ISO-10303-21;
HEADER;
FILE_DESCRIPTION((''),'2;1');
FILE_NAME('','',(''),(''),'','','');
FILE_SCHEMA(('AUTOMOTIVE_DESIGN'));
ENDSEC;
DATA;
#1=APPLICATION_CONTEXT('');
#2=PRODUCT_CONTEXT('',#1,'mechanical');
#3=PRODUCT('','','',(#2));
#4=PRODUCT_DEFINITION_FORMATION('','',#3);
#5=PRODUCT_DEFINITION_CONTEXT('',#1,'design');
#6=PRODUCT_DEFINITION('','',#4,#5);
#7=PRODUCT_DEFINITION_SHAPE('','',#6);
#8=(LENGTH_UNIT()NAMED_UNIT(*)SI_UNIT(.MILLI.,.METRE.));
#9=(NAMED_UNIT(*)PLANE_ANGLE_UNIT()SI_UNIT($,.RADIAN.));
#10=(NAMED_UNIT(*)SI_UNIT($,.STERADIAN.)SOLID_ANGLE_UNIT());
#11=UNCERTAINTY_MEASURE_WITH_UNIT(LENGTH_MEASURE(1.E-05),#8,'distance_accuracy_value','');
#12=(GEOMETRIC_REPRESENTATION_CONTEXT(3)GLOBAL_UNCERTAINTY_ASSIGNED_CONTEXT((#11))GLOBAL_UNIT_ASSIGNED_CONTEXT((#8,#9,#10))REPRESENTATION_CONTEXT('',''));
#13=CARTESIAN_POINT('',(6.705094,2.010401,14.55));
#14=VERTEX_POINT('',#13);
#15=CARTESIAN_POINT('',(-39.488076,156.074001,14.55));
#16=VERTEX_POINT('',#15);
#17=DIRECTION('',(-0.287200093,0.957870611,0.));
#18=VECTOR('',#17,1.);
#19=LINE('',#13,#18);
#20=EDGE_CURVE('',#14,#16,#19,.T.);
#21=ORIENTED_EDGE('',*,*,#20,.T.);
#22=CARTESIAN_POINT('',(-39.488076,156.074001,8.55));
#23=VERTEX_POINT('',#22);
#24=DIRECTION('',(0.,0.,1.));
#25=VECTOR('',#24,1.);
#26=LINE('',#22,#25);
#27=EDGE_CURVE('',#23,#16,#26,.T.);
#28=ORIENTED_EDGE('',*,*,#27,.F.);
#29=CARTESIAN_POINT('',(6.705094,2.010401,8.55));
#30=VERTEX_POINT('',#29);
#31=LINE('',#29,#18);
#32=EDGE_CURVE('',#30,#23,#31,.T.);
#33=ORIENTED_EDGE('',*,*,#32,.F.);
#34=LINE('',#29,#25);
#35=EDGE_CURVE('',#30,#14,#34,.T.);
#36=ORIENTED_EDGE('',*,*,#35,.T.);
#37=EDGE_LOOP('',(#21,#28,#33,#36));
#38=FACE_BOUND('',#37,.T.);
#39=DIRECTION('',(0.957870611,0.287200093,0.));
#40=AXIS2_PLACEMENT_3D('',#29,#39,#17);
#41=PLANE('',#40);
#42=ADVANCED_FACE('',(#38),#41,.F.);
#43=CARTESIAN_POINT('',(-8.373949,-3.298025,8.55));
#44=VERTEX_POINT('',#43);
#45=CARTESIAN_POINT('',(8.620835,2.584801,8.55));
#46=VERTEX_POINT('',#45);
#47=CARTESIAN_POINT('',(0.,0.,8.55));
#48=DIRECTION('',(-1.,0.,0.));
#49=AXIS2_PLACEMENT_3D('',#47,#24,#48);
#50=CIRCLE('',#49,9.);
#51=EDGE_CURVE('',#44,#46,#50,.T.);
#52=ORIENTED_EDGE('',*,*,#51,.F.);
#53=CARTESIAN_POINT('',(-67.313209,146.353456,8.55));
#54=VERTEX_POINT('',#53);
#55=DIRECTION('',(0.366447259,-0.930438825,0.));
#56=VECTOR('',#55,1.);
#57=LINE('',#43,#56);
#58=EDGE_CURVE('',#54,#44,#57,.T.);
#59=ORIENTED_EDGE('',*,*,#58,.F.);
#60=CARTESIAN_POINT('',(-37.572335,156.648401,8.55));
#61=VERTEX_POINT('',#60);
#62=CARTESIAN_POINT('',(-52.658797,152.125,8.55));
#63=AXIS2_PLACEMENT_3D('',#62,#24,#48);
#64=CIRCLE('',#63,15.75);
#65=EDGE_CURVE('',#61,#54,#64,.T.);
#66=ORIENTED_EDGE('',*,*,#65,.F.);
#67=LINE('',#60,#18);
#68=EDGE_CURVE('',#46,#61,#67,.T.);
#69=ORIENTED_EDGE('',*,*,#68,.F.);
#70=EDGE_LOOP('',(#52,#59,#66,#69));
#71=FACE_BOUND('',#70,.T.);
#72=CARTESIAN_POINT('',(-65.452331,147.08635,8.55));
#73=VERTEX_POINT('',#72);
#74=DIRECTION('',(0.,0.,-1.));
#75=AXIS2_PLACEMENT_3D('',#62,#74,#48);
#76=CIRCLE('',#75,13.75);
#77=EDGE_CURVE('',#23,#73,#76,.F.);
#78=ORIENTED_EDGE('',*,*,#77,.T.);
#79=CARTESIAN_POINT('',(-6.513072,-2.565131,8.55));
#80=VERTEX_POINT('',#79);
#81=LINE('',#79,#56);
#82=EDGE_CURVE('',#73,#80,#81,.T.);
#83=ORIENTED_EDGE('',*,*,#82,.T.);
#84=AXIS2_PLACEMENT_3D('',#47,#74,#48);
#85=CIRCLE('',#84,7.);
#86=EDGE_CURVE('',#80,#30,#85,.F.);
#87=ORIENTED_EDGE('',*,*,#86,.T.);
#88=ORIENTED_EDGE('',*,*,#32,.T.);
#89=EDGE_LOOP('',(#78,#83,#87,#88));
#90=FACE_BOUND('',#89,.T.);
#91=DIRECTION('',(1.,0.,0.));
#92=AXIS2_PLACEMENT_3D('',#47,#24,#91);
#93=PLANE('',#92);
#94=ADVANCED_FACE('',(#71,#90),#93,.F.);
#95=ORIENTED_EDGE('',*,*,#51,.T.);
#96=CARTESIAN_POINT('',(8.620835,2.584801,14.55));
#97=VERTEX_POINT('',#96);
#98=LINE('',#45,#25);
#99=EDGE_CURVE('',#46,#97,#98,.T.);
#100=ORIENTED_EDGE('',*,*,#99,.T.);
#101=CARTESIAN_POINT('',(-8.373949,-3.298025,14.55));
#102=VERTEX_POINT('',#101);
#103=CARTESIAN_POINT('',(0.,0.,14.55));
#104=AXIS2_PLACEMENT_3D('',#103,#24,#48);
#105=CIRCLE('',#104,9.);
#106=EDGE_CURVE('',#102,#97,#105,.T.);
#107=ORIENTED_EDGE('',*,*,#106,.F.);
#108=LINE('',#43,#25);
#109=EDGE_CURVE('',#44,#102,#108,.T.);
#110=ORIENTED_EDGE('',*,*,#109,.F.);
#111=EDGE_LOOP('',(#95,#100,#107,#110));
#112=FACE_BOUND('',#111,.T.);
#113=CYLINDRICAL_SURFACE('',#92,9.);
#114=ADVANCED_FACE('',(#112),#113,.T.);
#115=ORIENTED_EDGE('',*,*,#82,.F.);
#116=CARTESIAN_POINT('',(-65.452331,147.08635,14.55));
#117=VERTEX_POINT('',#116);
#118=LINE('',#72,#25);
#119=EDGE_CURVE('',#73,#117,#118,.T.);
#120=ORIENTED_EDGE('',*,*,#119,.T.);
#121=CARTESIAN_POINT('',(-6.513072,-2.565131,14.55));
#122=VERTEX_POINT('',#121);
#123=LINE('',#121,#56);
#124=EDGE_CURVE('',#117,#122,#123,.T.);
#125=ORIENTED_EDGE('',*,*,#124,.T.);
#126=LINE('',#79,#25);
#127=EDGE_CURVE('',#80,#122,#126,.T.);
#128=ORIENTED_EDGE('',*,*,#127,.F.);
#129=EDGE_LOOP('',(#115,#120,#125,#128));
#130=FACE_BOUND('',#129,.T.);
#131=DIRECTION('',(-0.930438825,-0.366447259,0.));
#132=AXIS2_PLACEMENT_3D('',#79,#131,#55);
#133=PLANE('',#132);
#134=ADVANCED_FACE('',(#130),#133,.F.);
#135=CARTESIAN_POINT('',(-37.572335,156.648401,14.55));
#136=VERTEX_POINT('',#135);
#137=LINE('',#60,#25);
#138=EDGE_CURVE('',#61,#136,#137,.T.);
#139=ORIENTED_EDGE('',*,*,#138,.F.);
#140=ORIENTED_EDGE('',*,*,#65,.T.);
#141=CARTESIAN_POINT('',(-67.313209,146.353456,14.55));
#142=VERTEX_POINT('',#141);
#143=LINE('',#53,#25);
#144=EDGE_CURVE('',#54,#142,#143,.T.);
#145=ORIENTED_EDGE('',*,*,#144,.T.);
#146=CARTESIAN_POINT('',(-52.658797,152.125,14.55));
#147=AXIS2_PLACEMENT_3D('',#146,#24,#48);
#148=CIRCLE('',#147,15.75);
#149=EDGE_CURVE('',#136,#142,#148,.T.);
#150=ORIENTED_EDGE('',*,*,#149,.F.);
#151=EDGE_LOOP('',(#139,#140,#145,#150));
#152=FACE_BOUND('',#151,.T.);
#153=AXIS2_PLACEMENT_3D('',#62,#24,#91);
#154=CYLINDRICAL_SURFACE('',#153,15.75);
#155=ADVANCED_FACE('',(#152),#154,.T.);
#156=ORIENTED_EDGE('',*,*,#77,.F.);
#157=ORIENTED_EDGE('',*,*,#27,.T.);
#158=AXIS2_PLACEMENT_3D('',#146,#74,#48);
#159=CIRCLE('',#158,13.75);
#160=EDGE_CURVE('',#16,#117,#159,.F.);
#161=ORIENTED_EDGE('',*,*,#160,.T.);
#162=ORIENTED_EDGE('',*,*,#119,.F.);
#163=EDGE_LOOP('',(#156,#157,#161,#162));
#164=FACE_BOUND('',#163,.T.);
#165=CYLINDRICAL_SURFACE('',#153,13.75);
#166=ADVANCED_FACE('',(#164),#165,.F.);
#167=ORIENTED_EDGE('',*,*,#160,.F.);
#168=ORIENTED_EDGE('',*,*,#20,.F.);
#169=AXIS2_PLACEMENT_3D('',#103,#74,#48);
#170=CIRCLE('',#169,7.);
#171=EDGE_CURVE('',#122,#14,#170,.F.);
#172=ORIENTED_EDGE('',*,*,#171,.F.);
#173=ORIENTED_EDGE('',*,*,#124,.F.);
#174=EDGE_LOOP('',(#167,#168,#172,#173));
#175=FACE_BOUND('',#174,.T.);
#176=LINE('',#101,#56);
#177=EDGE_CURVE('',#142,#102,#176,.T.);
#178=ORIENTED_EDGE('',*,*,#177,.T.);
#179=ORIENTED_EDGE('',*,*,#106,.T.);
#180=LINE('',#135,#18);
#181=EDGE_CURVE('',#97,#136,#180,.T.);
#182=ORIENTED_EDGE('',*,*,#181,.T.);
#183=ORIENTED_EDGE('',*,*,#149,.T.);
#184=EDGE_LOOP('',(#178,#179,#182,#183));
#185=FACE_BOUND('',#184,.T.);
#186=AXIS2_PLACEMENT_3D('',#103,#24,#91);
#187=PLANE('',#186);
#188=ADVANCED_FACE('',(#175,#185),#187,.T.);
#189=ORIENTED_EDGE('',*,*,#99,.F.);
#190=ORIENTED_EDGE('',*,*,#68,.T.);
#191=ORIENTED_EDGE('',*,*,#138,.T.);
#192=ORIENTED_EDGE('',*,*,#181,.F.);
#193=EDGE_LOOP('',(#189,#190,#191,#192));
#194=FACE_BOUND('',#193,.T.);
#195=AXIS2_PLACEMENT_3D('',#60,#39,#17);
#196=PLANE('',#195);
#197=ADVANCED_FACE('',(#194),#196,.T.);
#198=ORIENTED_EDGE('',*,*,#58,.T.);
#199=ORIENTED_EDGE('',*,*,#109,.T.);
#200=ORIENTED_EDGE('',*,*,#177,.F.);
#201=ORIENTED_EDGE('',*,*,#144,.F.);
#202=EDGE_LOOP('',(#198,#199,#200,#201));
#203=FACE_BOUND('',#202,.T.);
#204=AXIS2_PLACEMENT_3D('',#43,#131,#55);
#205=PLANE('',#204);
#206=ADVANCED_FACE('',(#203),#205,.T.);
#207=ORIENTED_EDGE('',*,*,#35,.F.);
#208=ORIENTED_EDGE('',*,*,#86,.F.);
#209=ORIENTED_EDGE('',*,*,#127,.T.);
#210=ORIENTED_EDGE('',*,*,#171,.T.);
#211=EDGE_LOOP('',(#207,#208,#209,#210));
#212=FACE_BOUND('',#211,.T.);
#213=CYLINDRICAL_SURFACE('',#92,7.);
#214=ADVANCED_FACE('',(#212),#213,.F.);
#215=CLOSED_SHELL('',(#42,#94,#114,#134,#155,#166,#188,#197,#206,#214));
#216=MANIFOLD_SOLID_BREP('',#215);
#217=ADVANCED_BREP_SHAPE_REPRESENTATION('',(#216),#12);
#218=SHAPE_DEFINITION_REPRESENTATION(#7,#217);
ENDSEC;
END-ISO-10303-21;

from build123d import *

# Parameters (mm, degrees)
EXTRU_MINCE1_START = 8.55
EXTRU_MINCE1_DEPTH = 6


with BuildPart() as part:
    # Esquisse2 → Extru.-Mince1 (new body)
    with BuildSketch(Plane.XY.offset(EXTRU_MINCE1_START)):
        with BuildLine():
            Line((-37.572335011, 156.648401465), (8.620835495, 2.584800837))
            ThreePointArc((8.620835495, 2.584800837), (2.944002228, -8.504872185), (-8.373949421, -3.298025333))
            Line((-8.373949421, -3.298025333), (-67.313208614, 146.353455668))
            ThreePointArc((-67.313208614, 146.353455668), (-57.810801026, 167.008526323), (-37.572335011, 156.648401465))
        make_face()
        with BuildLine():
            Line((-39.488076232, 156.074001279), (6.705094274, 2.010400651))
            ThreePointArc((6.705094274, 2.010400651), (2.289779511, -6.614900588), (-6.513071772, -2.565130814))
            Line((-6.513071772, -2.565130814), (-65.452330965, 147.086350186))
            ThreePointArc((-65.452330965, 147.086350186), (-57.156578309, 165.118554727), (-39.488076232, 156.074001279))
        make_face(mode=Mode.SUBTRACT)
    extrude(amount=EXTRU_MINCE1_DEPTH)


solid = part.part
